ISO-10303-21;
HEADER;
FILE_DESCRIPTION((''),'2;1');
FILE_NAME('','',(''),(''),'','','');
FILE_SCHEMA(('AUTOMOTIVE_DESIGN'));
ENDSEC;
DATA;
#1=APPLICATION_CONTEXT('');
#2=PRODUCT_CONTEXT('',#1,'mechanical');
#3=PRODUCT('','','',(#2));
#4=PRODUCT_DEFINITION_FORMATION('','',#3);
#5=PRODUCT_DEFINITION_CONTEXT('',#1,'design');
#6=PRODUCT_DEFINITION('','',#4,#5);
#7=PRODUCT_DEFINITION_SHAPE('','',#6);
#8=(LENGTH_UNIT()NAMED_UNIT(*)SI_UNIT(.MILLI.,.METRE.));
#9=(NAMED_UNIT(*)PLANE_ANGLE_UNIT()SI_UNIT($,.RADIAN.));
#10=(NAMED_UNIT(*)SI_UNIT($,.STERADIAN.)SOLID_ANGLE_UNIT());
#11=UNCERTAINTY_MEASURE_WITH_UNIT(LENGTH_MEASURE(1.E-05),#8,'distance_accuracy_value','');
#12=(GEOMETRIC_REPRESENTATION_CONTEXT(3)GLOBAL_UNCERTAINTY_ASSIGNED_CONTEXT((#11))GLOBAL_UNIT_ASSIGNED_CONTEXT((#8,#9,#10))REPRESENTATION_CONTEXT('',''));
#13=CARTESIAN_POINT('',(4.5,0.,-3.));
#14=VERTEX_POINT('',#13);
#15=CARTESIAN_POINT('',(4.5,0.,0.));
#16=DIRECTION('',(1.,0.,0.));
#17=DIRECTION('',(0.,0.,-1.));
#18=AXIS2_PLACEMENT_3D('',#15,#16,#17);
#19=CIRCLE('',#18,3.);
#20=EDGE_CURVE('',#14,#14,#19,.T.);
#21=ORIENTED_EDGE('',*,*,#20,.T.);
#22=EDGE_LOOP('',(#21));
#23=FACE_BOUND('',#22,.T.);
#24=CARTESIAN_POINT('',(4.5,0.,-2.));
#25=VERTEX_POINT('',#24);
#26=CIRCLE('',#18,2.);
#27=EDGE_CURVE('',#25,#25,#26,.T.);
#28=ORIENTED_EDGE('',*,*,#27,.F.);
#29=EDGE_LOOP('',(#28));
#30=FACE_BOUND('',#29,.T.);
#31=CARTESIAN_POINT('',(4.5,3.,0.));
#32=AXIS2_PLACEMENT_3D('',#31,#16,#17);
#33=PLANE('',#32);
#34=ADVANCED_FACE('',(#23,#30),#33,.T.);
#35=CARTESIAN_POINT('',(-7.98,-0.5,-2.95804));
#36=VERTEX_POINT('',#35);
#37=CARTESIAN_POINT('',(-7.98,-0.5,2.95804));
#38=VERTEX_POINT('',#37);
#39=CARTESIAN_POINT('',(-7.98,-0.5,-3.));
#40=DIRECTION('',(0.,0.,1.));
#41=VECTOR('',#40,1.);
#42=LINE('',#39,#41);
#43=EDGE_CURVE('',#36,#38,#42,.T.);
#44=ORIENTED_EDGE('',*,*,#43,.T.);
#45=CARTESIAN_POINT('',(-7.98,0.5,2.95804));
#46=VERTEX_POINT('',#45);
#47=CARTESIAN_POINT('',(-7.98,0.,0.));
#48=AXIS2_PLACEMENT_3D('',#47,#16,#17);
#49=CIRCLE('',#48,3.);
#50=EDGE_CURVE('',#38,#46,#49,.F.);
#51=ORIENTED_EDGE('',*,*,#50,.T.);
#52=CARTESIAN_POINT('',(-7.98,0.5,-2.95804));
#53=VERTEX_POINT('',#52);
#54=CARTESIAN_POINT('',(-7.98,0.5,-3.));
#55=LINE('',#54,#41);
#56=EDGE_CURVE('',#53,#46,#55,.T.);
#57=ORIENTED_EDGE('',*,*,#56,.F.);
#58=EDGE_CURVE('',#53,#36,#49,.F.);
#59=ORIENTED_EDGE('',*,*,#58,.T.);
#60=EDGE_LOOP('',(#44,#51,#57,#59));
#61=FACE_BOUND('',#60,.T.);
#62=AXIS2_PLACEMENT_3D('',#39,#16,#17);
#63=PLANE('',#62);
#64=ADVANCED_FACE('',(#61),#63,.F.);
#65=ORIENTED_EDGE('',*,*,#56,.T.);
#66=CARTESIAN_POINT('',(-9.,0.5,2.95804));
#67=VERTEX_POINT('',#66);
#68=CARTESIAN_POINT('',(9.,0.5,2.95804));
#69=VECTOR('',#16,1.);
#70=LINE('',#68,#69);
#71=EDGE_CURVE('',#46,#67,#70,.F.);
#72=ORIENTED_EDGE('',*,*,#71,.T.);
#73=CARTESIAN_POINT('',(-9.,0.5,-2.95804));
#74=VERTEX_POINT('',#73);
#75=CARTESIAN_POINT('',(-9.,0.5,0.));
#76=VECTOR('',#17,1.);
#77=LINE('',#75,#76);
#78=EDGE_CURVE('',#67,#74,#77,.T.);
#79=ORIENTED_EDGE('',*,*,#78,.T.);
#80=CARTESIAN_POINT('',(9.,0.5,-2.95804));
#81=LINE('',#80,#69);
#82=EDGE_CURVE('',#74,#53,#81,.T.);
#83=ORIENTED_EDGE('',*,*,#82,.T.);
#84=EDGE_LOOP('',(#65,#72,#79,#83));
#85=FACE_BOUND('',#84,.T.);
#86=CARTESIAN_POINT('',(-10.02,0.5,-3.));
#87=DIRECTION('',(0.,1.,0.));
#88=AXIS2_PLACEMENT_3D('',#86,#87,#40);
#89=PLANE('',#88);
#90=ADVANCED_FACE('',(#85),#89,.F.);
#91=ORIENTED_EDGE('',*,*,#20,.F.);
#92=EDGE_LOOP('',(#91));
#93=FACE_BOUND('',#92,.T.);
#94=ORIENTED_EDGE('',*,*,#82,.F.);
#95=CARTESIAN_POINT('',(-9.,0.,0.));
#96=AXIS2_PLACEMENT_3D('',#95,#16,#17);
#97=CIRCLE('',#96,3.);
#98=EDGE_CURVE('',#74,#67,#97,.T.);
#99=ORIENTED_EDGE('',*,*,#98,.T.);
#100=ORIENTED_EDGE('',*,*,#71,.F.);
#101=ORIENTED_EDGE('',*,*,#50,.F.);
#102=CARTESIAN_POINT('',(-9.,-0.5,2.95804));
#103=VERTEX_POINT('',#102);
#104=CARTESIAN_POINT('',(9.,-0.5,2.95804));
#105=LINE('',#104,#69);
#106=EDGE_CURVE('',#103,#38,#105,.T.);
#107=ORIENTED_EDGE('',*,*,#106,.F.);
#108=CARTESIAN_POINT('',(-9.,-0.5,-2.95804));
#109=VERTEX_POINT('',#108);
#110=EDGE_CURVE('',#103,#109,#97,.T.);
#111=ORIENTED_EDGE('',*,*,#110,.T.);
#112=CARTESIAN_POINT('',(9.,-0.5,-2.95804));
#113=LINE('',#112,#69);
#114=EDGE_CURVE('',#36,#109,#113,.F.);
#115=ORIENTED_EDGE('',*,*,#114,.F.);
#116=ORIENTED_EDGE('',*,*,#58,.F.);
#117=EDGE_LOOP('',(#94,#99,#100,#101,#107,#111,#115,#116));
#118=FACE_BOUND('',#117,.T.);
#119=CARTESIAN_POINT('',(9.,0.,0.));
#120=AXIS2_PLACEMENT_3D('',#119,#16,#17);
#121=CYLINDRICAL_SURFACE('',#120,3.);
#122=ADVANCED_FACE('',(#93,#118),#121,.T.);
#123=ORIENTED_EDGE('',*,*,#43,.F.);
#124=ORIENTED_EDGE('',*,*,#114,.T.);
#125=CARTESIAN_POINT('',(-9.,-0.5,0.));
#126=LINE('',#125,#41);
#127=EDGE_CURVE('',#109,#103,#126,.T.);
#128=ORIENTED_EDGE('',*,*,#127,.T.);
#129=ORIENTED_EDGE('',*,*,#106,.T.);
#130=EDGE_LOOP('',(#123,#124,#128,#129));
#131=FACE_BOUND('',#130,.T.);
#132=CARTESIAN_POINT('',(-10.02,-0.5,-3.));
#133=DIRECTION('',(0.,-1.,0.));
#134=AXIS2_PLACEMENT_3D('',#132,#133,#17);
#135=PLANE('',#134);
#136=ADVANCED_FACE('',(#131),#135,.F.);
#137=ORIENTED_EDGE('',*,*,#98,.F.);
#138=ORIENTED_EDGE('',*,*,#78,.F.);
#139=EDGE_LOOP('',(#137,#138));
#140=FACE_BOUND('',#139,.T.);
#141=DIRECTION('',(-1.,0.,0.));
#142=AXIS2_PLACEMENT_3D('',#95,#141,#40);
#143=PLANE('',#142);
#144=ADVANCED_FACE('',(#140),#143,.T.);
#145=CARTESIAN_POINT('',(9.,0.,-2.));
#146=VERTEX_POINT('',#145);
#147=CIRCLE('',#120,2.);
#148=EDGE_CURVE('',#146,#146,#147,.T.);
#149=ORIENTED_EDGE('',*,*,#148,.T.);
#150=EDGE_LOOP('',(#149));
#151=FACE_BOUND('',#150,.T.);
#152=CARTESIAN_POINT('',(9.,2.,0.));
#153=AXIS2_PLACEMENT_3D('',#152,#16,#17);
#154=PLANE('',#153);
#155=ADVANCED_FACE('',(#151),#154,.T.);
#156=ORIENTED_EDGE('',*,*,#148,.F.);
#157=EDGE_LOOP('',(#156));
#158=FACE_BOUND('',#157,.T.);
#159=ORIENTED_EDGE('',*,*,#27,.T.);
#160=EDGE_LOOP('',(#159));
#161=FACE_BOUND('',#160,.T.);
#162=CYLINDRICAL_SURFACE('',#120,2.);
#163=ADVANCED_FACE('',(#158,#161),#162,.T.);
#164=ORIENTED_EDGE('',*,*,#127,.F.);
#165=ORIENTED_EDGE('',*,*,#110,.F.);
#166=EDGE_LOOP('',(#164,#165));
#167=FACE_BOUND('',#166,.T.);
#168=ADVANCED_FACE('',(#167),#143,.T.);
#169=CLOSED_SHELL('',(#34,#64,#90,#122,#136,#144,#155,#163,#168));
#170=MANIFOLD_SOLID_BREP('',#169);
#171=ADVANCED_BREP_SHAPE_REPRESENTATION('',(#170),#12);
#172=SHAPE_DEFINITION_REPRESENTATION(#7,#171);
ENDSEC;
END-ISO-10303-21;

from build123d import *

# Parameters (mm, degrees)
CUT_EXTRUDE1_DEPTH      = 10.949874371
CUT_EXTRUDE1_DEPTH_BACK = 10.949874371
SKETCH2_W               = 2.04
SKETCH2_H               = 1


with BuildPart() as part:
    # Sketch1 → Revolve1 (revolve)
    with BuildSketch(Plane.XY, mode=Mode.PRIVATE) as revolve1_sk:
        Polygon((9, 0), (-9, 0), (-9, 3), (4.5, 3), (4.5, 2), (9, 2), align=None)
    revolve(revolve1_sk.sketch.rotate(Axis((9, 0, 0), (-1, 0, 0)), 90), axis=Axis((9, 0, 0), (-1, 0, 0)))

    # Sketch2 → Cut-Extrude1 (cut, two sides: drawn at the far end of the back side and taken through both)
    with BuildSketch(Plane.XY.offset(-CUT_EXTRUDE1_DEPTH_BACK)):
        with Locations((-9, 0)):
            Rectangle(SKETCH2_W, SKETCH2_H)
    extrude(amount=CUT_EXTRUDE1_DEPTH + CUT_EXTRUDE1_DEPTH_BACK, mode=Mode.SUBTRACT)


solid = part.part
